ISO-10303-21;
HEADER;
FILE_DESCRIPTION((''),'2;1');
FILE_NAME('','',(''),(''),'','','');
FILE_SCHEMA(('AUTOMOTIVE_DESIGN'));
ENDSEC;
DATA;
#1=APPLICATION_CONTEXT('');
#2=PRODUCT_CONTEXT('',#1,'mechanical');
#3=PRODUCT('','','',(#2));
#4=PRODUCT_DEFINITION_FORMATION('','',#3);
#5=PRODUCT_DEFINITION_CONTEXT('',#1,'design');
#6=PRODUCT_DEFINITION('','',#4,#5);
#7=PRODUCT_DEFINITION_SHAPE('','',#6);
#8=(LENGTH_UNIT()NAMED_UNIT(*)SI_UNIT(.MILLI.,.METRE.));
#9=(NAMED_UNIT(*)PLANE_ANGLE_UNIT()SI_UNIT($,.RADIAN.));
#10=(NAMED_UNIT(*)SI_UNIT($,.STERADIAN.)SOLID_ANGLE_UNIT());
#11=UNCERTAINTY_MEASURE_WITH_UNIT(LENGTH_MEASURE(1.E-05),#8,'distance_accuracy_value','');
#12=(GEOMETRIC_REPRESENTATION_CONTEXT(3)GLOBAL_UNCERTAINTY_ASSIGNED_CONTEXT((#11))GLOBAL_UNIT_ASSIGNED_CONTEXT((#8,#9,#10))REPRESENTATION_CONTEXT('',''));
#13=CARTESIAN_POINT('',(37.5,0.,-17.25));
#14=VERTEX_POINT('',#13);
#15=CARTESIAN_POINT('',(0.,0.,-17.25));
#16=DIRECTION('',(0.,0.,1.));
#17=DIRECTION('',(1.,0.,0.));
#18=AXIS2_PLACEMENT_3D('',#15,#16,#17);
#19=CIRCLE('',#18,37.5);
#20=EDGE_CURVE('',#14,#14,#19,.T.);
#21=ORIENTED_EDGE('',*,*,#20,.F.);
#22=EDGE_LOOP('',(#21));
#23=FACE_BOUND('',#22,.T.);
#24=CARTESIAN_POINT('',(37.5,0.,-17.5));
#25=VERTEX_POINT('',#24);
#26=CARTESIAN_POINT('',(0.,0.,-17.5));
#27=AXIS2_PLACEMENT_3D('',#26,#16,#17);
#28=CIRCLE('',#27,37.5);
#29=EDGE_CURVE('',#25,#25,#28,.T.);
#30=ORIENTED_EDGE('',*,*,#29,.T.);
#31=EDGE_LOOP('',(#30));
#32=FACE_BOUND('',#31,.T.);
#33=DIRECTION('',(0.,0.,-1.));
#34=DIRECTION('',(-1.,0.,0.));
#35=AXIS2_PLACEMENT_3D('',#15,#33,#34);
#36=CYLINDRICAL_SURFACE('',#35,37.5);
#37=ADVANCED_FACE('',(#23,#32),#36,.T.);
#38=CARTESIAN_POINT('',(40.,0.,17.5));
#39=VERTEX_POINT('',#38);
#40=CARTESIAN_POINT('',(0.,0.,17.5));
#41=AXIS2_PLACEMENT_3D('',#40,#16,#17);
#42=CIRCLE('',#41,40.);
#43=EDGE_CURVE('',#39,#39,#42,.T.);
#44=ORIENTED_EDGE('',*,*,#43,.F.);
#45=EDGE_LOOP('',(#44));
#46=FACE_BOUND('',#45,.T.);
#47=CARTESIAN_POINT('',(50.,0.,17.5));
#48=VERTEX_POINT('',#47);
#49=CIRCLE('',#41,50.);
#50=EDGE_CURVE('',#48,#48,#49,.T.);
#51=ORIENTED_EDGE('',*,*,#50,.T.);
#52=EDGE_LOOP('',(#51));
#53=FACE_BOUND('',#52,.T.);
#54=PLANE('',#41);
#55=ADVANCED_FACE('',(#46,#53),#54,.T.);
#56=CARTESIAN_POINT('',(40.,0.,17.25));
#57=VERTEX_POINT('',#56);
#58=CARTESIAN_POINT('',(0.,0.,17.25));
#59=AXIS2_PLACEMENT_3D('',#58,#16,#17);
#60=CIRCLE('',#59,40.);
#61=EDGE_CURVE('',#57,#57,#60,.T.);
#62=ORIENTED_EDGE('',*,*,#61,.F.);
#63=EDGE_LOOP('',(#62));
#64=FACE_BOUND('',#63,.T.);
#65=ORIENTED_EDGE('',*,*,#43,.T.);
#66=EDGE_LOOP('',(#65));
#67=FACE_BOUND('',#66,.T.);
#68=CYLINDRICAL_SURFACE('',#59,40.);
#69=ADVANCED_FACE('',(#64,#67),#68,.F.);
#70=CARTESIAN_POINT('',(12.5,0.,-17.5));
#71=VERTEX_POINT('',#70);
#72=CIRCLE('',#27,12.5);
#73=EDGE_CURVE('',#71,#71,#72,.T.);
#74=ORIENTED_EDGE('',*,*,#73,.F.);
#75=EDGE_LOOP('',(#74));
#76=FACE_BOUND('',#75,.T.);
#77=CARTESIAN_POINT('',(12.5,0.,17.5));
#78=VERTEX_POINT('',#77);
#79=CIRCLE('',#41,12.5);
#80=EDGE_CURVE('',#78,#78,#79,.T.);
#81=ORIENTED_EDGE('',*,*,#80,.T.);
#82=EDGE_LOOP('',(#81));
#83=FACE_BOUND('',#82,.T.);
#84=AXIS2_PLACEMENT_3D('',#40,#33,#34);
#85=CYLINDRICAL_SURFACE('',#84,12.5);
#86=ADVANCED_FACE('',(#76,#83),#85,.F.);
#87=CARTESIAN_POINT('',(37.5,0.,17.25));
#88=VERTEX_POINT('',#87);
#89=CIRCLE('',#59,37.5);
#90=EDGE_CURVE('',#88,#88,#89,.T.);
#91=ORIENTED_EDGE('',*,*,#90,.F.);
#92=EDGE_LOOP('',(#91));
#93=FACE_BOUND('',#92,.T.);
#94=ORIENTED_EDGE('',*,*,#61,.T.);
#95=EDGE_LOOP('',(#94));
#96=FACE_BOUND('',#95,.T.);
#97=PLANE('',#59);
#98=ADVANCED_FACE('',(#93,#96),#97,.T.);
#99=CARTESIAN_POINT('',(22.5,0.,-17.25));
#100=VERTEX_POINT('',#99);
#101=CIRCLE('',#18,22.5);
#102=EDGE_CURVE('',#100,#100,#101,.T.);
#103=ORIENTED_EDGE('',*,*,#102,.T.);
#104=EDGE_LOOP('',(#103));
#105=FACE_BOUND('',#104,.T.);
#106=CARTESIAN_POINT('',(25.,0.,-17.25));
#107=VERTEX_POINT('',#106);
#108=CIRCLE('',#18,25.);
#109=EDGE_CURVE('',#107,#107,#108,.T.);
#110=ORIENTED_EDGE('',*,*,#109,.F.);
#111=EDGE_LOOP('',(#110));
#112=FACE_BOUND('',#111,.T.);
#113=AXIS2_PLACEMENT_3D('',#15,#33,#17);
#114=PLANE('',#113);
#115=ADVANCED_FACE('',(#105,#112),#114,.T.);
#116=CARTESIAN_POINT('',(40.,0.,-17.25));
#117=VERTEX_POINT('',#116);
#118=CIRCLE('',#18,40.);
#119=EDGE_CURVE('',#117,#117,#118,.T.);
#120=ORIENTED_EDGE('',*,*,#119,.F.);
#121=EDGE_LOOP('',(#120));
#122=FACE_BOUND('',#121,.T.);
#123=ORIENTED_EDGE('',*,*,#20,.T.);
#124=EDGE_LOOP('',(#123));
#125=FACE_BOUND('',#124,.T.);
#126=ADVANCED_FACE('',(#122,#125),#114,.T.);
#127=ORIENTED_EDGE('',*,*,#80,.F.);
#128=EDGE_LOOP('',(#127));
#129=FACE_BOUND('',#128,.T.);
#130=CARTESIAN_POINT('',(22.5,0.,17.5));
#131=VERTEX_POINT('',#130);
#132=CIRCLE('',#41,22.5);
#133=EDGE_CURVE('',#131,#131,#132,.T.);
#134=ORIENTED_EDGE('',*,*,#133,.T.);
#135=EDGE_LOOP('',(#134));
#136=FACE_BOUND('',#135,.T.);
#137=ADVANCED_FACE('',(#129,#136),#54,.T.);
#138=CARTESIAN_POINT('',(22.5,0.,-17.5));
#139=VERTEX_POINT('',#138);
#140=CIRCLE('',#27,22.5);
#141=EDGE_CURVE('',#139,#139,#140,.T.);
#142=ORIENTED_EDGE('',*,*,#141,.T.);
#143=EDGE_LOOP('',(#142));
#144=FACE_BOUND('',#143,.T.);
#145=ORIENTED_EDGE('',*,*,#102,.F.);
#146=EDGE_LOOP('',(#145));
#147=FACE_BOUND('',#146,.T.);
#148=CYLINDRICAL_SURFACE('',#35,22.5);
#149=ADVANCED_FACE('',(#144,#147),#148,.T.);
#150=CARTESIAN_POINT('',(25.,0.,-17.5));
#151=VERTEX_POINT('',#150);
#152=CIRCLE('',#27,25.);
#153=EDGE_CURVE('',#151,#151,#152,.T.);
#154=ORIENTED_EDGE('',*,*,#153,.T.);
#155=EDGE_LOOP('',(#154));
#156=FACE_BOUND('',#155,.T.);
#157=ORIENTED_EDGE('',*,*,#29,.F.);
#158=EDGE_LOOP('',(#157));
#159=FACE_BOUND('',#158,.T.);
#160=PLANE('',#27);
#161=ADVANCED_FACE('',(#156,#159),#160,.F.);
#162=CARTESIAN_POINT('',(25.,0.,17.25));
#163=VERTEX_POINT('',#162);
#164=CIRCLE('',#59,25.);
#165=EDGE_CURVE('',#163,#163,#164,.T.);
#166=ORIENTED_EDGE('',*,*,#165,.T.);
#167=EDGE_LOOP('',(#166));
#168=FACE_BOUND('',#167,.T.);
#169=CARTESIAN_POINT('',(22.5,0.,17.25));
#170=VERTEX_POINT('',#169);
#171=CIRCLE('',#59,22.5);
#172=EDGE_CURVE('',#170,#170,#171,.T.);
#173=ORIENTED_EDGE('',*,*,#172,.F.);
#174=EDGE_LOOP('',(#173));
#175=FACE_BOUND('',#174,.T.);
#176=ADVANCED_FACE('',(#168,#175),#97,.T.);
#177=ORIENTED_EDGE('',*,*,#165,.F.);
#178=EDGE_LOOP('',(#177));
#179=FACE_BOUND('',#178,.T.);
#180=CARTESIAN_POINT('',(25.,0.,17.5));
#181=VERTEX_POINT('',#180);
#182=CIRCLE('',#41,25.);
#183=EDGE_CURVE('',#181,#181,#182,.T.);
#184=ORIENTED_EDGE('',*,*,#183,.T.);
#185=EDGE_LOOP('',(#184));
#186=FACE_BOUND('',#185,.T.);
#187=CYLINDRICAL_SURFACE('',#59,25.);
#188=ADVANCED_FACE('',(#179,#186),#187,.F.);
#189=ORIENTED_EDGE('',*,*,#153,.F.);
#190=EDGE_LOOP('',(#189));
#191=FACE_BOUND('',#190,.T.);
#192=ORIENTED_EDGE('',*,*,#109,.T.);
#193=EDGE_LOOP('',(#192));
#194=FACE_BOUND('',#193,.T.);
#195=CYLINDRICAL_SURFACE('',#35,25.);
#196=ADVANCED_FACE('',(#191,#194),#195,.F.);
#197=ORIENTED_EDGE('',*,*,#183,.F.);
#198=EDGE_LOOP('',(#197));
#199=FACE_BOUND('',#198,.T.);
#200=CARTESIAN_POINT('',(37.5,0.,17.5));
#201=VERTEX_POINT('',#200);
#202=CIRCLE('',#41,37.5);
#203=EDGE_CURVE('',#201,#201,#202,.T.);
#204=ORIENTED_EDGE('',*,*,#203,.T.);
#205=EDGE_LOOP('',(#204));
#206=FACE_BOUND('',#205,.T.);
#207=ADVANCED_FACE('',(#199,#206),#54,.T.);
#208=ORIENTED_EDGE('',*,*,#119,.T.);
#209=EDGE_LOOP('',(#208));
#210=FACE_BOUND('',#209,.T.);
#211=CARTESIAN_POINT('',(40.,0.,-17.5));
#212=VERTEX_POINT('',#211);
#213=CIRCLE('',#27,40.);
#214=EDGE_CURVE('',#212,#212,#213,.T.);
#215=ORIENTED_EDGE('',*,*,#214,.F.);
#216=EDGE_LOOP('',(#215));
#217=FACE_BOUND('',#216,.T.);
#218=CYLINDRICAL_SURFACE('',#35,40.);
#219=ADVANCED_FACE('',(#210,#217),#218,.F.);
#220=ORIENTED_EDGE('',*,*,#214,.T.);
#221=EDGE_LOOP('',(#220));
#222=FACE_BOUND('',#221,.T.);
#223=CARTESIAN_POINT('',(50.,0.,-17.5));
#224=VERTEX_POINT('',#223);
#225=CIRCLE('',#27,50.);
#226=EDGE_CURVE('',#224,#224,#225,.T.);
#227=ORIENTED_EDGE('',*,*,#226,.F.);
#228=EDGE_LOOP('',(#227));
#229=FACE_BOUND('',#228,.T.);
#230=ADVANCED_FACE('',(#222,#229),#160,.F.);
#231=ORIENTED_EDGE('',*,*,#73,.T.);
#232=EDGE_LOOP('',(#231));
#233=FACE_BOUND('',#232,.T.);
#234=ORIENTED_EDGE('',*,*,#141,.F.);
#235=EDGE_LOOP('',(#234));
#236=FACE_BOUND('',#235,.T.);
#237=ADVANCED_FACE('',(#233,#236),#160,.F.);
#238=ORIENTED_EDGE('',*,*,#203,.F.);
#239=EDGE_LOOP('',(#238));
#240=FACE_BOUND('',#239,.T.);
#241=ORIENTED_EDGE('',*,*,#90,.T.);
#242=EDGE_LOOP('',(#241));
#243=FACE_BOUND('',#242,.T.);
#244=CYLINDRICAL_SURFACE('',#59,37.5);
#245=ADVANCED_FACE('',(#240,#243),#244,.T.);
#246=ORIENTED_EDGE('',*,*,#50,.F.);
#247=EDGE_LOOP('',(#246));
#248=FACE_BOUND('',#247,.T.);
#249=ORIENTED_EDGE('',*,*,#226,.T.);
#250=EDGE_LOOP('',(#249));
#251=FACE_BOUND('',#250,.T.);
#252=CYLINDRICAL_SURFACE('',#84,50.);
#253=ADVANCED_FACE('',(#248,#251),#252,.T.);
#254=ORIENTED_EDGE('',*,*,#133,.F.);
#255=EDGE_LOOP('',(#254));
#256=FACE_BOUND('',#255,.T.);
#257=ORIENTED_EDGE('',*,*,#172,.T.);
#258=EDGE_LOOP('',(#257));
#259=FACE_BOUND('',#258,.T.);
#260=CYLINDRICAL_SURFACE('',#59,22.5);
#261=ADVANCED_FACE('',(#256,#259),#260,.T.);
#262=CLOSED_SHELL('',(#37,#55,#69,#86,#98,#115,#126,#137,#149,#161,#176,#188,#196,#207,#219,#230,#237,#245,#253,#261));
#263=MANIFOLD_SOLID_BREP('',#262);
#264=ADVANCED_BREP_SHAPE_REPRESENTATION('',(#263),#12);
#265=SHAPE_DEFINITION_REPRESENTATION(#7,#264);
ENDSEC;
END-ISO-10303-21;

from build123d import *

# Parameters (mm, degrees)
ESBO_O1_R                = 50
ESBO_O1_R_2              = 12.5
RESSALTO_EXTRUS_O1_DEPTH = 17.5
ESBO_O2_R                = 40
ESBO_O2_R_2              = 37.5
ESBO_O2_R_3              = 25
ESBO_O2_R_4              = 22.5
CORTE_EXTRUS_O1_DEPTH    = 0.25


with BuildPart() as part:
    # Esboço1 → Ressalto-extrusão1 (new, symmetric)
    with BuildSketch(Plane.XY):
        Circle(ESBO_O1_R)
        Circle(ESBO_O1_R_2, mode=Mode.SUBTRACT)
    extrude(amount=RESSALTO_EXTRUS_O1_DEPTH, both=True)

    # Esboço2 → Corte-extrusão1 (cut)
    # profile 1 of 2: a face of its own
    with BuildSketch(Plane.XY.offset(17.5)):
        Circle(ESBO_O2_R)
        Circle(ESBO_O2_R_2, mode=Mode.SUBTRACT)
    # profile 2 of 2: a face of its own
    with BuildSketch(Plane.XY.offset(17.5)):
        Circle(ESBO_O2_R_3)
        Circle(ESBO_O2_R_4, mode=Mode.SUBTRACT)
    corte_extrus_o1 = extrude(amount=-CORTE_EXTRUS_O1_DEPTH, mode=Mode.SUBTRACT)

    # Espelhar1: Corte-extrusão1 across plane
    add(corte_extrus_o1.mirror(Plane.XY), mode=Mode.SUBTRACT)


solid = part.part
